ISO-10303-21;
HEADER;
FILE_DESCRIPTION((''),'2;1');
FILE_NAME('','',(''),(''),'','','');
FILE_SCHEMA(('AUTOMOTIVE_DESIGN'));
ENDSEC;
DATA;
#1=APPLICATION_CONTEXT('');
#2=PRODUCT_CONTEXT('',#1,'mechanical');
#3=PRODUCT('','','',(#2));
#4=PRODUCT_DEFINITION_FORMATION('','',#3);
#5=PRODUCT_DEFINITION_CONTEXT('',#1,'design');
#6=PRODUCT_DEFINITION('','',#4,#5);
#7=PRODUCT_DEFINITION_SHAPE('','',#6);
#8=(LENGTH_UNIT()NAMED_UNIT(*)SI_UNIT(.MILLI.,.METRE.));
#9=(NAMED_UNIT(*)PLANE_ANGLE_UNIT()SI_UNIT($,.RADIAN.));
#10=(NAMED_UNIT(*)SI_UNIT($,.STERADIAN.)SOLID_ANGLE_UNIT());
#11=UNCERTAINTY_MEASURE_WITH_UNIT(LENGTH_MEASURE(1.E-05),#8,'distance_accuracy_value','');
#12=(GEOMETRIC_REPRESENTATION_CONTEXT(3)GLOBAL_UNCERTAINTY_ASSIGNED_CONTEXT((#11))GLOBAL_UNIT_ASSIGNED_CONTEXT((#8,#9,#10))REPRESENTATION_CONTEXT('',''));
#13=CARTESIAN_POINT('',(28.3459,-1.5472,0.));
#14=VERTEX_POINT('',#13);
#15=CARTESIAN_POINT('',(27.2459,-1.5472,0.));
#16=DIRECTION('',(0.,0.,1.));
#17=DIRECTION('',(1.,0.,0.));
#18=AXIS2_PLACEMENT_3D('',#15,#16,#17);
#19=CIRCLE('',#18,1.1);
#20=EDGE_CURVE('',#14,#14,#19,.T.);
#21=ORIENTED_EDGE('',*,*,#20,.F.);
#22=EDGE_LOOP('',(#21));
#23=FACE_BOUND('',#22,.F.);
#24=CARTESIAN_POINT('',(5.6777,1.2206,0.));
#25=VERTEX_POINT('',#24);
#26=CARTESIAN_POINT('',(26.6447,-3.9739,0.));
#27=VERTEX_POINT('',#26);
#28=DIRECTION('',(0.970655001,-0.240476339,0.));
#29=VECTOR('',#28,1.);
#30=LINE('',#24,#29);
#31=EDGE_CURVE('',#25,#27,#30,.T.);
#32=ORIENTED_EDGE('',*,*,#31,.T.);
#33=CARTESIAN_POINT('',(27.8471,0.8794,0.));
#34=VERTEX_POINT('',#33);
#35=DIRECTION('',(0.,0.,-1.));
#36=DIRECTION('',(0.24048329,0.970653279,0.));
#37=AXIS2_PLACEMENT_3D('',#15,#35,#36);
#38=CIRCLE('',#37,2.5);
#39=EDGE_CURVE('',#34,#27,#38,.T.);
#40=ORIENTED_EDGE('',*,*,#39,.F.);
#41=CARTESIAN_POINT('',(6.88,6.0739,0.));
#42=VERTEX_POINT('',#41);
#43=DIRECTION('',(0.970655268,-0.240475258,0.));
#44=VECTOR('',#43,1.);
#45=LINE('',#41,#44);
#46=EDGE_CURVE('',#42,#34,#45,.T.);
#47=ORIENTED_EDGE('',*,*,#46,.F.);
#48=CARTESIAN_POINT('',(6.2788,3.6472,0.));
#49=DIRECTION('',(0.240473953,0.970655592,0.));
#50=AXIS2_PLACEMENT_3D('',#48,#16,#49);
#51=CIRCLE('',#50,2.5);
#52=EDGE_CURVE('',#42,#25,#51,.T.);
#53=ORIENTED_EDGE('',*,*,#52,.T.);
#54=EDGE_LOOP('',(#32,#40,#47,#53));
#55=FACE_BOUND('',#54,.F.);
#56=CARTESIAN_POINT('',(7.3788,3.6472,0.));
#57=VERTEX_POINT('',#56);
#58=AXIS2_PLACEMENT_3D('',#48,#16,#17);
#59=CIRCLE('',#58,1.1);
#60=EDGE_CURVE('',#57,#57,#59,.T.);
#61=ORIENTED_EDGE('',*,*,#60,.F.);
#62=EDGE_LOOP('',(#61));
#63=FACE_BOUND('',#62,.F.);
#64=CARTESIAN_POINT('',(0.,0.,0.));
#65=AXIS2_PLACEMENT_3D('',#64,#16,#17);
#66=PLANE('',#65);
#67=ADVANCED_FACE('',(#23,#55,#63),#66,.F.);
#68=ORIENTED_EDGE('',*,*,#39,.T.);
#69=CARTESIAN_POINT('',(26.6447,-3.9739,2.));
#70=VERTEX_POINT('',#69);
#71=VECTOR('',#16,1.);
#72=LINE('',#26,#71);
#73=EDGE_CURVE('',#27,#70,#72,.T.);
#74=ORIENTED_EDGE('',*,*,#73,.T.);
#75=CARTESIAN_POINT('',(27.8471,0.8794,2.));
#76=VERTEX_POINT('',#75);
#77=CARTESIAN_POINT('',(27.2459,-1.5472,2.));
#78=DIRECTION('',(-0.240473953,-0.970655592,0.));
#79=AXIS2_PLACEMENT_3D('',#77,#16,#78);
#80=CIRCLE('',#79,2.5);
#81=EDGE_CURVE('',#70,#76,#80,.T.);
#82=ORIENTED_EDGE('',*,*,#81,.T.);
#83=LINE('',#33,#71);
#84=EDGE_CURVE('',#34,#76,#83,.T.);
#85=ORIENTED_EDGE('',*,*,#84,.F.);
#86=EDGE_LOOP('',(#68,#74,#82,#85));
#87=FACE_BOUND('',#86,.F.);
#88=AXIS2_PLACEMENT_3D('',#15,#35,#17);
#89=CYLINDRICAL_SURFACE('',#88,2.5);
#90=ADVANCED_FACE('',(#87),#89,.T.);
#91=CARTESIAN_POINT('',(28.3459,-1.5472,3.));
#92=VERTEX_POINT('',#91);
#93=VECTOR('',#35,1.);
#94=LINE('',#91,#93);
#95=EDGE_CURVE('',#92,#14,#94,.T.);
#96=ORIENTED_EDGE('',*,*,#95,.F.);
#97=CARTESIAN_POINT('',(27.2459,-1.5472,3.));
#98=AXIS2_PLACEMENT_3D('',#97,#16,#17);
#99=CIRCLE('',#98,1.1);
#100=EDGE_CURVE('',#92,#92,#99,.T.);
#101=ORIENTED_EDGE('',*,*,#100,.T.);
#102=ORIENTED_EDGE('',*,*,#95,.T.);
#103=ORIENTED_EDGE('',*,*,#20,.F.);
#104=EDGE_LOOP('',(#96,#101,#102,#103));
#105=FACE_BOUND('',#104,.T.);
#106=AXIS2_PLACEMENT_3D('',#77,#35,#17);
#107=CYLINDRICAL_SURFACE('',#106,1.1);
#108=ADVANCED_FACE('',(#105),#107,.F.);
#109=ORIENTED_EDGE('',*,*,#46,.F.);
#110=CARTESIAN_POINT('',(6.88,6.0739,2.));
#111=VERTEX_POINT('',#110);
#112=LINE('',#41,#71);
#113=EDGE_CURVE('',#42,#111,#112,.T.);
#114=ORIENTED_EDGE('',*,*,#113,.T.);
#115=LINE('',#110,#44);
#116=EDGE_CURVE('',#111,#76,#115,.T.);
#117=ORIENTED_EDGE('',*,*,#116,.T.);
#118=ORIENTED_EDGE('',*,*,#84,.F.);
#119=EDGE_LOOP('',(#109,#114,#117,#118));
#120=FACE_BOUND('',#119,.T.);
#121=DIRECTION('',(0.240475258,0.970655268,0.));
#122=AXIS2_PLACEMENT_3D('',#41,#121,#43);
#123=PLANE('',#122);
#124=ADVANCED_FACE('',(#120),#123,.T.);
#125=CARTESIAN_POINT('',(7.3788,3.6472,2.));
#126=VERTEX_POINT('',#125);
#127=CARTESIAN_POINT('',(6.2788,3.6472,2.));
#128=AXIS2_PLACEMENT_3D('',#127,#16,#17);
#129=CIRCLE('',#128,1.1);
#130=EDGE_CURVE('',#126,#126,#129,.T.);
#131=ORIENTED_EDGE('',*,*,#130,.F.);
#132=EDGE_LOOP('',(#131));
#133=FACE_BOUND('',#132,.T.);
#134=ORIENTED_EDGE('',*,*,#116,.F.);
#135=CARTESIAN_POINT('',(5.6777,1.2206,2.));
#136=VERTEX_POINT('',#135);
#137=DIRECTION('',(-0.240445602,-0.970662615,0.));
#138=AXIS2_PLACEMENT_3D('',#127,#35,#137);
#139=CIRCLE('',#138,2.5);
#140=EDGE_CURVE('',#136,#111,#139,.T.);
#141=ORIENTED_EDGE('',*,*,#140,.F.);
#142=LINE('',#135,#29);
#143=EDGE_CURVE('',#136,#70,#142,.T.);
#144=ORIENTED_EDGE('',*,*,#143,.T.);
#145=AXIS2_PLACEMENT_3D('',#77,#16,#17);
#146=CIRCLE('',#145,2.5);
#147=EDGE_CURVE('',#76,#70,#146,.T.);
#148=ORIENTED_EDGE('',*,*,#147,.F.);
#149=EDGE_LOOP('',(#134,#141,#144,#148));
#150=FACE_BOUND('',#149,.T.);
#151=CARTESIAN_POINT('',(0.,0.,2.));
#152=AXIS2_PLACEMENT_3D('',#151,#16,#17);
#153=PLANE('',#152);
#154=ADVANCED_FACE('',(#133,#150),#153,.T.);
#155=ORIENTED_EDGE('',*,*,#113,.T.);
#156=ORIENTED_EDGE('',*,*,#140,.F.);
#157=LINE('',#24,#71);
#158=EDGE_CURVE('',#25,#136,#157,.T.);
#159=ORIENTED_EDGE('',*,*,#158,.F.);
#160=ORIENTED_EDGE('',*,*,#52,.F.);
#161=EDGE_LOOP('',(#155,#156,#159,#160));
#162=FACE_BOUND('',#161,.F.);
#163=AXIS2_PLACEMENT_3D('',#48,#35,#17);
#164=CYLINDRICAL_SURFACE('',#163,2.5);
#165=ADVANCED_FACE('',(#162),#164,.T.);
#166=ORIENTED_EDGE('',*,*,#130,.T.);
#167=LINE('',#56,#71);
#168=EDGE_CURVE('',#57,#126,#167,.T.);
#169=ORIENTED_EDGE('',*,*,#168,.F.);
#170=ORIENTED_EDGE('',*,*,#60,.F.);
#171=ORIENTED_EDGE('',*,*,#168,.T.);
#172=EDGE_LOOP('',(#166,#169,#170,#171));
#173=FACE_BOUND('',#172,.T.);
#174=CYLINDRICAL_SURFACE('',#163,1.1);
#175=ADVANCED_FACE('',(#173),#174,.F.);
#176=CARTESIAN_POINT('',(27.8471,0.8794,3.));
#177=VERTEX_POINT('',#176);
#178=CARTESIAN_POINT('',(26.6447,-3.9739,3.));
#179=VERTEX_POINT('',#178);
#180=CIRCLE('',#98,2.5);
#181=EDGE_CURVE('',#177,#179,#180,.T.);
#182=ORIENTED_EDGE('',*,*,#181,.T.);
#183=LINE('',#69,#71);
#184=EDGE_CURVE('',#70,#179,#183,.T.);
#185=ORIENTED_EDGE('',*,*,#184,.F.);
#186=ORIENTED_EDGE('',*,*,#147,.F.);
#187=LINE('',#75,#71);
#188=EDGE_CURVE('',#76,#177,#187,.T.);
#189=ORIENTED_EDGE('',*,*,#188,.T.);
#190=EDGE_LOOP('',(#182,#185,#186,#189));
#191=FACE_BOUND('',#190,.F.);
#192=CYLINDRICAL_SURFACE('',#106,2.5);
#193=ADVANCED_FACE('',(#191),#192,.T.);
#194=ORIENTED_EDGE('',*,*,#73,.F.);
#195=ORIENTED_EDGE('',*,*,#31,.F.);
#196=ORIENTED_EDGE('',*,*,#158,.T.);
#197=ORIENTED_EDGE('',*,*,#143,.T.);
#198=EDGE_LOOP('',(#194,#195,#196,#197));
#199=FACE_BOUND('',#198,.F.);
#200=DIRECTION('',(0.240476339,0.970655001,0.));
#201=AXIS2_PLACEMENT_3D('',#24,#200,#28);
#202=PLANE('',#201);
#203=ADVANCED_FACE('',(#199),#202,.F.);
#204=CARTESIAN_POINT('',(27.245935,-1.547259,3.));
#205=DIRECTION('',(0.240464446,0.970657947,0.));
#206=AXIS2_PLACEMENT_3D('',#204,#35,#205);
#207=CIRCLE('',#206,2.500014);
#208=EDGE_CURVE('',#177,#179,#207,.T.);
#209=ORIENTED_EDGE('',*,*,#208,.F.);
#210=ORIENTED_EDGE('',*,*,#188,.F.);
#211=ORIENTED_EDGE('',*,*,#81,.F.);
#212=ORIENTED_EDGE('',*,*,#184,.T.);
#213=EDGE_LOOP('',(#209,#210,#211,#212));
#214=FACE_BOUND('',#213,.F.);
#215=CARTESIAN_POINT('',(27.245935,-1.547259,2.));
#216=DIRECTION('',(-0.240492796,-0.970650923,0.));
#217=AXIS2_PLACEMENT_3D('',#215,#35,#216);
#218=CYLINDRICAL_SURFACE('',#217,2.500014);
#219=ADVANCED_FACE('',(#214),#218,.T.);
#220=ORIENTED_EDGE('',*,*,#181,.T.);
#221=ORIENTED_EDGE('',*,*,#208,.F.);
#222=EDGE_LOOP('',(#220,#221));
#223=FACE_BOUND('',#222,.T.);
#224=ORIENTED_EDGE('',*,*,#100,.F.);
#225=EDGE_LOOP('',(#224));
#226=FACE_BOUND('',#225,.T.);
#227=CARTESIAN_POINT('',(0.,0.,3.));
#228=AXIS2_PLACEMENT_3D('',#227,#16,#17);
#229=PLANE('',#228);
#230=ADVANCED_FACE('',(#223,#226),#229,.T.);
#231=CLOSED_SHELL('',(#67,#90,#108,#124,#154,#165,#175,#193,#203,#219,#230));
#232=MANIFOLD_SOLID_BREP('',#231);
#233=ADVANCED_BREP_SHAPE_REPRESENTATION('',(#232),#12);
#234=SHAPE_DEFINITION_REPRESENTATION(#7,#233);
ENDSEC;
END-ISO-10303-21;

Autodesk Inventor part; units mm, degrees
ref_plane "YZ Plane" through (0, 0, 0) normal (1, 0, 0) x (0, 1, 0)
sketch "Sketch1" plane through (0, 0, 0) normal (0, 0, 1) x (1, 0, 0)
  circle A0 centre (6.2788, 3.6472) radius 1.1 projected
  arc A1 (5.219, 1.9512) -> (4.2801, 3.717) centre (6.2788, 3.6472) ccw projected
  line L0 (4.2801, 3.717) -> (-5.6503, -1.563) projected
  line L1 (-7.3788, -4.7472) -> (-5.6503, -1.563) projected
  line L2 (-7.3788, -4.7472) -> (5.219, 1.9512) projected
  circle A2 centre (6.2788, 3.6472) radius 2.5
  circle A3 centre (27.2459, -1.5472) radius 1.1 projected
  circle A4 centre (27.2459, -1.5472) radius 2.5
  line L3 (5.6777, 1.2206) -> (26.6447, -3.9739)
  line L4 (6.88, 6.0739) -> (27.8471, 0.8794)
  point P0 (0, 0)
  dimension "d0" = 5
  dimension "d1" = 5
extrude "Extrusion1" add sketch "Sketch1" along normal blind 2 contours L2 A2 L0 A1 | A1 L0 A2 L2 | A2 L4 A4 L3 | A4
sketch "Sketch2" plane through (0, 0, 2) normal (0, 0, 1) x (1, 0, 0)
  arc A0 (26.6447, -3.9739) -> (27.8471, 0.8794) centre (27.2459, -1.5472) ccw projected
  line L0 (27.8471, 0.8794) -> (6.88, 6.0739) projected
  arc A1 (6.88, 6.0739) -> (5.6777, 1.2206) centre (6.2788, 3.6472) ccw projected
  line L1 (5.6777, 1.2206) -> (26.6447, -3.9739) projected
  circle A2 centre (27.2459, -1.5472) radius 1.1 projected
  circle A3 centre (6.2788, 3.6472) radius 1.1 projected
  arc A4 (26.6447, -3.9739) -> (27.8471, 0.8794) centre (27.2459, -1.5472) ccw projected
  circle A5 centre (27.2459, -1.5472) radius 2.5
  point P0 (0, 0)
  point P1 (27.8471, 0.8794)
  point P2 (26.6447, -3.9739)
  dimension "d4" = 5
ref_plane "Work Plane1" through (24.6322, -7.0775, 5) normal (0, 0, 1) x (1, 0, 0)
ref_plane "Work Plane2" through (24.6969, -3.0472, 3) normal (0, 0, -1) x (0, 1, 0)
extrude "Extrusion2" add sketch "Sketch2" along normal up to surface (1 mm away) contours A5 A0
properties part number "union_yema" material "PC/ABS Plastic"
